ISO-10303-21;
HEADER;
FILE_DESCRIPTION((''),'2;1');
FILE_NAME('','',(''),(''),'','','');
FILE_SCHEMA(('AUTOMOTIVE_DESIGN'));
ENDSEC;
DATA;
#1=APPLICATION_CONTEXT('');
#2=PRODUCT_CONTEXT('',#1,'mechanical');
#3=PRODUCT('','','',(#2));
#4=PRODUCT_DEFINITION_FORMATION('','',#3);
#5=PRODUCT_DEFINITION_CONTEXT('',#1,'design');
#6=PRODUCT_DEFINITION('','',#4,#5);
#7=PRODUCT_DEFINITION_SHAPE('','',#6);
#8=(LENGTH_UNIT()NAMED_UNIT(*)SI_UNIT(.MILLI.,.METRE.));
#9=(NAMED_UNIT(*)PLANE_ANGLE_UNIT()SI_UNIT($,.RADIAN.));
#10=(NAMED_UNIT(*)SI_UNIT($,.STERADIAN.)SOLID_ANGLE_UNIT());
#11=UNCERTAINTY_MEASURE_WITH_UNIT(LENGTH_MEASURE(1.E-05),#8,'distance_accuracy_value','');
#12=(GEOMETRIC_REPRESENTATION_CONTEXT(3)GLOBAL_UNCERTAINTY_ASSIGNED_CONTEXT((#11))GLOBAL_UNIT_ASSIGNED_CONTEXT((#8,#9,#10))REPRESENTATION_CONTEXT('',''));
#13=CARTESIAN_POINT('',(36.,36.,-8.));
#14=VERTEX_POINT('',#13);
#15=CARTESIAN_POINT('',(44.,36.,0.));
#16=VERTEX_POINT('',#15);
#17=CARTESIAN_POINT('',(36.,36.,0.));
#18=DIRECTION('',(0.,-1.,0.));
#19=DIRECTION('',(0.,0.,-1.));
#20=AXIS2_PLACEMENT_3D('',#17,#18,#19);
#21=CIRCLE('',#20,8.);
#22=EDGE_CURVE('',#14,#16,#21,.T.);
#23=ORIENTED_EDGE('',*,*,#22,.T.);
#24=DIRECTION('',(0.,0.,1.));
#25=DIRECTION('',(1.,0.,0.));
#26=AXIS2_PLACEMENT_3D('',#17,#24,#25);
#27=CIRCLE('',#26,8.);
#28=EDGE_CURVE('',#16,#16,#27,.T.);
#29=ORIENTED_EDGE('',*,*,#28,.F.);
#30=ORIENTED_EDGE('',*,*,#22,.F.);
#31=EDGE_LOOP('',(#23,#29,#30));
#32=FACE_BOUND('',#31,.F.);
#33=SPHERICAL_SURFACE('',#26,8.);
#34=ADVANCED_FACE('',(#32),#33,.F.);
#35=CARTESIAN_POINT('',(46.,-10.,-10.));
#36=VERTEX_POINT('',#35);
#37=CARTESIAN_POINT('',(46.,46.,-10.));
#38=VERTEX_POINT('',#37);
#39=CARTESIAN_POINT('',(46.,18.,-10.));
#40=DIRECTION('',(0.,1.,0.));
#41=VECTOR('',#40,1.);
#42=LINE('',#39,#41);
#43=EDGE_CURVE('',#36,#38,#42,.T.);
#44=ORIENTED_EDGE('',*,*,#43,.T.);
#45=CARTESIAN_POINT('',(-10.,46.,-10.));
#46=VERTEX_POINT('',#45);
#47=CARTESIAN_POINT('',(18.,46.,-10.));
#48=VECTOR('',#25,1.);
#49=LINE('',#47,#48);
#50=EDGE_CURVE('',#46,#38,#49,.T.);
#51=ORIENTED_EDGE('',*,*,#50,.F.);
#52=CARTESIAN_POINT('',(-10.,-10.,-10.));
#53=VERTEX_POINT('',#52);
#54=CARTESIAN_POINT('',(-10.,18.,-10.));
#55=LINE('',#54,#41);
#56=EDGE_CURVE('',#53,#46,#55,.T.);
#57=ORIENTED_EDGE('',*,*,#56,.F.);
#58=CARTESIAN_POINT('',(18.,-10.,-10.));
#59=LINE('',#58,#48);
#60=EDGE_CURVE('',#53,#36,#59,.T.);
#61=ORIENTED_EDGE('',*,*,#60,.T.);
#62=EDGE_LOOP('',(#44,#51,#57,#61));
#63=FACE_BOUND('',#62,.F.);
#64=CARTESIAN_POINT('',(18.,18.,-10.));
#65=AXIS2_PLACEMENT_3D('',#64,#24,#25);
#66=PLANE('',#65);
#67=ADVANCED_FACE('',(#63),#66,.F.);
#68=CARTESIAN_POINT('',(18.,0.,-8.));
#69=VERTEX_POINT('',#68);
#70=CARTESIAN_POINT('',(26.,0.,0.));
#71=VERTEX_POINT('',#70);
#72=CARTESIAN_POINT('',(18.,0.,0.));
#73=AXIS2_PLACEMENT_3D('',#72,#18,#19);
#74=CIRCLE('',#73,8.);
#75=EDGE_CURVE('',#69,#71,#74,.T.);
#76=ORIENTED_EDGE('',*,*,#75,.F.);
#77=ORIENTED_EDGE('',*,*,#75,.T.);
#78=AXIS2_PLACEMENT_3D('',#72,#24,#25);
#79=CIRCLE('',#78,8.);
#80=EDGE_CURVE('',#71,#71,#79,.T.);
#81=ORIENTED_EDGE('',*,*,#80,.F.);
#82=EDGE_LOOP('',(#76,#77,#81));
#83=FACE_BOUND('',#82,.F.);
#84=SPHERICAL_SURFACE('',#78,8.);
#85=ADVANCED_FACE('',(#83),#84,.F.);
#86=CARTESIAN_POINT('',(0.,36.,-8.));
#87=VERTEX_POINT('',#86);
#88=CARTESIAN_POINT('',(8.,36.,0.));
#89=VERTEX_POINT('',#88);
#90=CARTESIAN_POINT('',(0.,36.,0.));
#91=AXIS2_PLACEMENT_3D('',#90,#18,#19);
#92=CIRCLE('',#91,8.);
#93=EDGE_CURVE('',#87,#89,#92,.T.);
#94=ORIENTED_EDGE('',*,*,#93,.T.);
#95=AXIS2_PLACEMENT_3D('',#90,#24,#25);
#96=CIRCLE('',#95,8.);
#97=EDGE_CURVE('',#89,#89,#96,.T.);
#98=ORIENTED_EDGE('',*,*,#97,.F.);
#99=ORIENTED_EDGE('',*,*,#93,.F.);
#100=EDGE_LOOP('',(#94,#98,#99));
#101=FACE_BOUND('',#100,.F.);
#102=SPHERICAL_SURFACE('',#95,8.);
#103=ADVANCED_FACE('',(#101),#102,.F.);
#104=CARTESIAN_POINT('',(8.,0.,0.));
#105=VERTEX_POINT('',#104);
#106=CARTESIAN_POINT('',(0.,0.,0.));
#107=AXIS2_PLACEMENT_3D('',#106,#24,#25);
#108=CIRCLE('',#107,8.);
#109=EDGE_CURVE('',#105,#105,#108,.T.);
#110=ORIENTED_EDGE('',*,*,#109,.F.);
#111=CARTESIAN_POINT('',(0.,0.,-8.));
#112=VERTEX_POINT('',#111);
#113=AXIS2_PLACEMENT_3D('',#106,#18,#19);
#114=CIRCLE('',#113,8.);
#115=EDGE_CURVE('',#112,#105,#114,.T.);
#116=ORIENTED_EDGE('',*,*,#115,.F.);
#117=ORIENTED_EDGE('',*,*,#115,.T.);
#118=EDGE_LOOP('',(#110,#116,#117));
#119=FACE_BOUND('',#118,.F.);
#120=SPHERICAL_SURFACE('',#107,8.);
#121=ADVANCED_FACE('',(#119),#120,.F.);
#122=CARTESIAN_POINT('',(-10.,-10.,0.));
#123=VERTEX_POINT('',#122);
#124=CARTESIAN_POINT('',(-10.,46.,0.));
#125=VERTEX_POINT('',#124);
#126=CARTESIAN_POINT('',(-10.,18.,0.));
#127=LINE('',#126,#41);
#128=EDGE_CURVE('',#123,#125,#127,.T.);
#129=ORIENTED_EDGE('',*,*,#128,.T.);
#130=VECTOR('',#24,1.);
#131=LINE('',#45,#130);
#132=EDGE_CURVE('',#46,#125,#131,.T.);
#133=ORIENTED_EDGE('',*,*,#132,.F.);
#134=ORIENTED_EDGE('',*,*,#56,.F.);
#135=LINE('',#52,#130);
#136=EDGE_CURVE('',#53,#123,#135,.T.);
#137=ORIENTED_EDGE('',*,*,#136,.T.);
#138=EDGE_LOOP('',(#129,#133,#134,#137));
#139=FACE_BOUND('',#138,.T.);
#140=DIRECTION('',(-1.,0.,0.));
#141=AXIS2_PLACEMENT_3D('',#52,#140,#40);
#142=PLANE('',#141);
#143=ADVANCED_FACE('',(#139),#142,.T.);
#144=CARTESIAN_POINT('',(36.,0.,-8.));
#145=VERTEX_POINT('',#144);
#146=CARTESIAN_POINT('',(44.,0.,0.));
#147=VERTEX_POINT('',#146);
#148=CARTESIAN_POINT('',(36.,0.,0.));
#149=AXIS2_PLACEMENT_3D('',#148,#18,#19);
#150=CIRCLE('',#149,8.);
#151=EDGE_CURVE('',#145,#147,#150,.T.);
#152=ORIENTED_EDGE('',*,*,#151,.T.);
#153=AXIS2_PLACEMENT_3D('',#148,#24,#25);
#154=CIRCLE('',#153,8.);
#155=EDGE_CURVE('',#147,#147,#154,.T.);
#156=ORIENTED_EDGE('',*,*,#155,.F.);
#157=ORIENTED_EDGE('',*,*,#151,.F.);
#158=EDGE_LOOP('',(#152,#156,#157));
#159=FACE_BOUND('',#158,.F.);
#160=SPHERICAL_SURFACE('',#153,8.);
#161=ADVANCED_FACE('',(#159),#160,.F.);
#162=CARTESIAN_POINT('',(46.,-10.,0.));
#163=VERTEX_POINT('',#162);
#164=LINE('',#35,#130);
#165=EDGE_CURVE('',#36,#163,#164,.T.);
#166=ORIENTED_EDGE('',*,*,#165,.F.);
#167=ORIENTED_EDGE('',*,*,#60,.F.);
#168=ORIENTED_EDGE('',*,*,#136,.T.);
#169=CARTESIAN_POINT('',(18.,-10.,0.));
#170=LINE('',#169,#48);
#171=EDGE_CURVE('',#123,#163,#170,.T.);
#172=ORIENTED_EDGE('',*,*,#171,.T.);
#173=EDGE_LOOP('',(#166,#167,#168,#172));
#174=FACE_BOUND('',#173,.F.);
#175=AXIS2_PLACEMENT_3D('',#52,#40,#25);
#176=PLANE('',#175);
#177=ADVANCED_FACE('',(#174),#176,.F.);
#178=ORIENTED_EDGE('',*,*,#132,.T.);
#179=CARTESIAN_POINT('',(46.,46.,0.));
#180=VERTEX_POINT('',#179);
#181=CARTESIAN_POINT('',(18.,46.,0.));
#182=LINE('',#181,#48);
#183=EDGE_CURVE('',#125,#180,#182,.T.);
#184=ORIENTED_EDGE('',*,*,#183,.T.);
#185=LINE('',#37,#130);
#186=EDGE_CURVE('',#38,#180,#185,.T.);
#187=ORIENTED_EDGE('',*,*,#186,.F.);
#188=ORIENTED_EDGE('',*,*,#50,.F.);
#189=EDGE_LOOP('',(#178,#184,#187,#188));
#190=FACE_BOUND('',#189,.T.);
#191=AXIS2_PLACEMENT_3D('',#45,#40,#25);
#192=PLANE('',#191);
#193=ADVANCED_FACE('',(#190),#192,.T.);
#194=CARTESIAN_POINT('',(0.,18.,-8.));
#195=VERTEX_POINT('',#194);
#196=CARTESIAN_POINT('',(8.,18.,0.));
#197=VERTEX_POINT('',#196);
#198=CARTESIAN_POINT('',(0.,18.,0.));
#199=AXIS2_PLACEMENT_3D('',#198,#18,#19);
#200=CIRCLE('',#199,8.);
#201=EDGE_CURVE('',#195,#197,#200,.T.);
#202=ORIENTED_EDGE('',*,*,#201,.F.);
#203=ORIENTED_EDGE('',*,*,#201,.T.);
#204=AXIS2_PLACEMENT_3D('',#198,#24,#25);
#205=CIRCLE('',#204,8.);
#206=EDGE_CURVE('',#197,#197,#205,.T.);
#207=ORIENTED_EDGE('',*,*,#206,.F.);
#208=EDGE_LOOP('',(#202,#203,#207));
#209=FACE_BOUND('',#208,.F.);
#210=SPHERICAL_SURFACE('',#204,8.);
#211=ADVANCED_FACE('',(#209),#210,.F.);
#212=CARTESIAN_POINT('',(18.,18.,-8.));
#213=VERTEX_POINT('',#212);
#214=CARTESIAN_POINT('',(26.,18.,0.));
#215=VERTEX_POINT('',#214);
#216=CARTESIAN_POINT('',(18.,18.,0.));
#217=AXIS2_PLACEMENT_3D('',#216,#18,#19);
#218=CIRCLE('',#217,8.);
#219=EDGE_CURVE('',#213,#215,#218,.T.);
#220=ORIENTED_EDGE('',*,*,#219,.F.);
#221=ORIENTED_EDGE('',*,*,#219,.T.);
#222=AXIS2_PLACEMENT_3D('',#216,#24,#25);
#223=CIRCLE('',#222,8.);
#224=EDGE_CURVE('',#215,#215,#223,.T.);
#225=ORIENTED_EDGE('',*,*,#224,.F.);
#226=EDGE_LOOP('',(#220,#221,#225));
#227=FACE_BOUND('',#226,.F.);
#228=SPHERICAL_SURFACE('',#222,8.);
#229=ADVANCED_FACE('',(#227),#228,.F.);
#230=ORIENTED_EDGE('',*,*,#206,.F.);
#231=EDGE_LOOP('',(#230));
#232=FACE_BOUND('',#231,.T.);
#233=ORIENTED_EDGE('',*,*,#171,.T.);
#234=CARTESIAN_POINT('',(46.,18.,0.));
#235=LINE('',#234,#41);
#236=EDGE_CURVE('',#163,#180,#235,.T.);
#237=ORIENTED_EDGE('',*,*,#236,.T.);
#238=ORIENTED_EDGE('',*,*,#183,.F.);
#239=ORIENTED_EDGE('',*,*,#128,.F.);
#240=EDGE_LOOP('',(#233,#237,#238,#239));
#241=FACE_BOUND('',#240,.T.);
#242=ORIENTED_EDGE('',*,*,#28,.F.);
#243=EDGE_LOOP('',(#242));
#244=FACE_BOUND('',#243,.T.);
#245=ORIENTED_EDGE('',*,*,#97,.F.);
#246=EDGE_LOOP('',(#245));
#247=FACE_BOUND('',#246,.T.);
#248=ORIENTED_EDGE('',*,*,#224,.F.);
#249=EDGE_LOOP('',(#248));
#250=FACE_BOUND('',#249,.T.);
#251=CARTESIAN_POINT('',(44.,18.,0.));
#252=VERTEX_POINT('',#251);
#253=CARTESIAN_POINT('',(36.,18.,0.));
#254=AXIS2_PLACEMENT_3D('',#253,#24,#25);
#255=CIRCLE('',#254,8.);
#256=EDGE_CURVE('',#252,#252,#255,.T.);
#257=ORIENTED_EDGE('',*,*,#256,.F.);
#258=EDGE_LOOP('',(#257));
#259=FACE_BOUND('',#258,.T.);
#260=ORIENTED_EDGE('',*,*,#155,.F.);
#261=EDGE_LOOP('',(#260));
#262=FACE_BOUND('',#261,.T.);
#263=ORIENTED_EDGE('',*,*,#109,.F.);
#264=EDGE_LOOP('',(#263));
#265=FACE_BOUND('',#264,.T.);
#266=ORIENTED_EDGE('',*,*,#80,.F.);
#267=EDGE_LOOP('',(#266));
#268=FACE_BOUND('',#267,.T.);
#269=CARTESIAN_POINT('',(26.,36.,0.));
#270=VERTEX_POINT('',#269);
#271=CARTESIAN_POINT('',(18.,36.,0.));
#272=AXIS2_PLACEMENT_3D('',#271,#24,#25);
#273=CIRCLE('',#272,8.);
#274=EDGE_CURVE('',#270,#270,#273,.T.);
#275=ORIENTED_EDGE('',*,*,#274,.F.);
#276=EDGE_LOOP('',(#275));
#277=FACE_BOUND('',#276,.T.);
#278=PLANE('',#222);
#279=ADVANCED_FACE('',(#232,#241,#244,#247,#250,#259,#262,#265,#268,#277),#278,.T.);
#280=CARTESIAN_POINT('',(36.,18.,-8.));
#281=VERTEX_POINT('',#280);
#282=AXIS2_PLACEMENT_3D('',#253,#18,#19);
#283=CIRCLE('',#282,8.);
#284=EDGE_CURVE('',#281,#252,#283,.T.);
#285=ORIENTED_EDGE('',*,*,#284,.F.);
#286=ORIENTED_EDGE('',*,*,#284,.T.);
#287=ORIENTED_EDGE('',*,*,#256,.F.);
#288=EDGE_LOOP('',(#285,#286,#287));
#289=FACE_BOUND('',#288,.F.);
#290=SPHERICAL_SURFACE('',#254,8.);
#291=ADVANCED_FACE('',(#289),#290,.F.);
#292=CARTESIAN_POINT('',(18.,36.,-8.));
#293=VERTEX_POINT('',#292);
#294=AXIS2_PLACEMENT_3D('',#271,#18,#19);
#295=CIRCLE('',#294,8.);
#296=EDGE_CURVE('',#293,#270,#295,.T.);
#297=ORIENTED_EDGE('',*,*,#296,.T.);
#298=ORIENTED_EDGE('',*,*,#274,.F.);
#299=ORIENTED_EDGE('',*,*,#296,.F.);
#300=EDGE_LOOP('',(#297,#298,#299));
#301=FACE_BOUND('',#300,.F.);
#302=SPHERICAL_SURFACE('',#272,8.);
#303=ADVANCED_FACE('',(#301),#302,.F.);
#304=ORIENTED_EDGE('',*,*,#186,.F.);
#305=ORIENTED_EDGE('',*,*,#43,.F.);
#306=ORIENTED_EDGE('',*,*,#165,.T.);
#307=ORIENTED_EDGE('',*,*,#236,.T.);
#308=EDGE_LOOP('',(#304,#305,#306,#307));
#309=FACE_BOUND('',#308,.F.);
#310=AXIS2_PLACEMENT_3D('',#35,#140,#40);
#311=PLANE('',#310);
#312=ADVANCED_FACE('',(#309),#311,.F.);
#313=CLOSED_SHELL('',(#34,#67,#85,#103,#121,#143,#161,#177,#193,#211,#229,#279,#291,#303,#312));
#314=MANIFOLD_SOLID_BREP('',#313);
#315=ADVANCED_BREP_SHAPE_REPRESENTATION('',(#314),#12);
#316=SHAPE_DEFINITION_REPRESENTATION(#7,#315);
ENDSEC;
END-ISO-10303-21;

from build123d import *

# Parameters (mm, degrees)
ARRAY_X_COUNT = 3
ARRAY_X_PITCH = 18
ARRAY_Y_COUNT = 3
ARRAY_Y_PITCH = 18
BOX_W         = 56
BOX_H         = 56
BOX_DEPTH     = 10


with BuildPart() as array:
    # Sphere → Sphere (revolve)
    with BuildSketch(Plane.XZ):
        with BuildLine():
            ThreePointArc((0, -8), (8, 0), (0, 8))
            Line((0, 8), (0, -8))
        make_face()
    revolve(axis=Axis((0, 0, 0), (0, 0, 1)))

    # Array X: Array ×3


with BuildPart() as array_1:
    add(array.part)
    with Locations(*[(i * ARRAY_X_PITCH, 0, 0) for i in range(1, ARRAY_X_COUNT)]):
        add(array.part)

    # Array Y: Array ×3


with BuildPart() as array_2:
    add(array_1.part)
    with Locations(*[(0, i * ARRAY_Y_PITCH, 0) for i in range(1, ARRAY_Y_COUNT)]):
        add(array_1.part)


with BuildPart() as cut:
    # Box → Box (new body)
    with BuildSketch(Plane(origin=(-10, -10, -10), x_dir=(1, 0, 0), z_dir=(0, 0, 1))):
        with Locations((28, 28)):
            Rectangle(BOX_W, BOX_H)
    extrude(amount=BOX_DEPTH)

    # Cut: cut Array
    add(array_2.part, mode=Mode.SUBTRACT)


solid = cut.part
